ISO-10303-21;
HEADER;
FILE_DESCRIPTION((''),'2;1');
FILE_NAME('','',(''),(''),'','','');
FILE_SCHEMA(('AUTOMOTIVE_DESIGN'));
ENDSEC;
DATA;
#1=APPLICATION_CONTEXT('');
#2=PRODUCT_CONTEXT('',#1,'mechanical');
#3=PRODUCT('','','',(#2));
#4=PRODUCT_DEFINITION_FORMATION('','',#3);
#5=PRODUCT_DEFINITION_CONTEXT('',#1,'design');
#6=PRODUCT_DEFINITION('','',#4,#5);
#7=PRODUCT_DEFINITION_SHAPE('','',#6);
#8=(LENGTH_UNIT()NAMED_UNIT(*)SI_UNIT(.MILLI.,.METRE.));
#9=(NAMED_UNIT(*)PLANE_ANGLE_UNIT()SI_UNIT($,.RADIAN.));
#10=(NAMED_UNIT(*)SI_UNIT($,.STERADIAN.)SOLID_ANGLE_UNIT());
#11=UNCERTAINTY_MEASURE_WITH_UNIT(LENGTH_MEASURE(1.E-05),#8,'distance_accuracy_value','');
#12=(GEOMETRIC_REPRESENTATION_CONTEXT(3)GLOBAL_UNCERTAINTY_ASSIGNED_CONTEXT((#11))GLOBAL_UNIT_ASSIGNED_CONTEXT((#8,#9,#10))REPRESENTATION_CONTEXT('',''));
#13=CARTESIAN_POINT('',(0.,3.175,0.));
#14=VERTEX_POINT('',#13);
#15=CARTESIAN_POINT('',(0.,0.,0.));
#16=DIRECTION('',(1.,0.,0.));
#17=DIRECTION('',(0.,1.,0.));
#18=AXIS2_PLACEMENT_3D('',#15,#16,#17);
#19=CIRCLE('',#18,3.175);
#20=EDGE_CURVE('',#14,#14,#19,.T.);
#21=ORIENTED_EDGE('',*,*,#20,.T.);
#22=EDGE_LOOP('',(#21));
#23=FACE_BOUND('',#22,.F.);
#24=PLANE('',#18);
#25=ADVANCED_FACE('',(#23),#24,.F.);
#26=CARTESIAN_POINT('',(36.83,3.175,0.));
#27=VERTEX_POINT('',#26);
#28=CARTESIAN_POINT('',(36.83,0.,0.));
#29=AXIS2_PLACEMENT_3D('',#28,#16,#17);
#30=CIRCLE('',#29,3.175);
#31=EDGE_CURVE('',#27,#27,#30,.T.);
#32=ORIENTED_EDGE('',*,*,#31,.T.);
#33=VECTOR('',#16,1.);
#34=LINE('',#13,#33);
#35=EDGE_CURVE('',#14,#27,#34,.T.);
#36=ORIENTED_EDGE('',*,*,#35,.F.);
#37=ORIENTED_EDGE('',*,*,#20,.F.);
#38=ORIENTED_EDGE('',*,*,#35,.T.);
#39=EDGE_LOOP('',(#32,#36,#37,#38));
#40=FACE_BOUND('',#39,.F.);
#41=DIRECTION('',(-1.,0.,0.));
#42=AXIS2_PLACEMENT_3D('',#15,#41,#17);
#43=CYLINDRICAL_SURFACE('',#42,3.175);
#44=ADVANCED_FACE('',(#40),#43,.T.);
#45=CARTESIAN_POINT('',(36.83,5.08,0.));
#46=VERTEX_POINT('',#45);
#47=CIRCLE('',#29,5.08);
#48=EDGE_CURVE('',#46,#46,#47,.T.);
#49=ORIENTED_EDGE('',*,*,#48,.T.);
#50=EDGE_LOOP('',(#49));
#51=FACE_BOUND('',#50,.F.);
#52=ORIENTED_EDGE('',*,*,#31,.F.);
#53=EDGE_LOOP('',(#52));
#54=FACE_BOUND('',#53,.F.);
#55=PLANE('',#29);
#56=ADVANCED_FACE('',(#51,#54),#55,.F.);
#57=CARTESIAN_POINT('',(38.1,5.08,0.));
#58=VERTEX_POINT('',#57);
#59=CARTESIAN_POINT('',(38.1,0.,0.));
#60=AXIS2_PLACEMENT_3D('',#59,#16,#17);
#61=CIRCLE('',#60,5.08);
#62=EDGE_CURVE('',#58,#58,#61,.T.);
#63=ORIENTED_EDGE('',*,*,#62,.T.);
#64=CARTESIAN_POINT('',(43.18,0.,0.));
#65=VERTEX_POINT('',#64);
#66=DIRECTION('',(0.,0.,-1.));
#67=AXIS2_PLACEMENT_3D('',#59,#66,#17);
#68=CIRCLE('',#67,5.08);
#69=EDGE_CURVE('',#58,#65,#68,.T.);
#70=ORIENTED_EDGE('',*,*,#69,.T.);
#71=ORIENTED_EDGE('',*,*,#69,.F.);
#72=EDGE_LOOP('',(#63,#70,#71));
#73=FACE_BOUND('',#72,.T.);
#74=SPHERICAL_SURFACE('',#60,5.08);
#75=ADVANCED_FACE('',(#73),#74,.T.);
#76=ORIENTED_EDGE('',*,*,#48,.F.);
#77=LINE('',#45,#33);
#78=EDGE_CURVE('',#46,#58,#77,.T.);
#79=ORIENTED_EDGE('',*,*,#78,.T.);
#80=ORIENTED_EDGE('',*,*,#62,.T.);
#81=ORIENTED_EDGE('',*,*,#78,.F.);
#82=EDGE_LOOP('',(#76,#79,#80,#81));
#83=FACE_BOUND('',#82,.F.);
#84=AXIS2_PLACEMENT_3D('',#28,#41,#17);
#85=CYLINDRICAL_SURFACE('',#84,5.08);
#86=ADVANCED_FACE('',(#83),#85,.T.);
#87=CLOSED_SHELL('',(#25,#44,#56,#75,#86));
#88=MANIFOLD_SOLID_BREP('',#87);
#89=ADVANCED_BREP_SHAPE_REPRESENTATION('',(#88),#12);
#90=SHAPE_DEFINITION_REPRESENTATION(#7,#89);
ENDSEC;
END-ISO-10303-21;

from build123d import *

# Parameters (mm, degrees)
F0_R     = 3.175
F1_DEPTH = 36.83
F2_R     = 5.08
F3_DEPTH = 6.35
F4_R     = 5.08


with BuildPart() as f1:
    # F0 (on Right) → F1 (new body)
    with BuildSketch(Plane.YZ):
        Circle(F0_R)
    extrude(amount=F1_DEPTH)

    # F2 (on face) → F3 (join)
    with BuildSketch(Plane.YZ.offset(36.83)):
        Circle(F2_R)
    extrude(amount=F3_DEPTH)

    # F4
    f4_edges = [f1.edges().sort_by_distance(p)[0] for p in [
        (43.18, -5.08, 0),
    ]]
    fillet(f4_edges, radius=F4_R)


solid = f1.part
